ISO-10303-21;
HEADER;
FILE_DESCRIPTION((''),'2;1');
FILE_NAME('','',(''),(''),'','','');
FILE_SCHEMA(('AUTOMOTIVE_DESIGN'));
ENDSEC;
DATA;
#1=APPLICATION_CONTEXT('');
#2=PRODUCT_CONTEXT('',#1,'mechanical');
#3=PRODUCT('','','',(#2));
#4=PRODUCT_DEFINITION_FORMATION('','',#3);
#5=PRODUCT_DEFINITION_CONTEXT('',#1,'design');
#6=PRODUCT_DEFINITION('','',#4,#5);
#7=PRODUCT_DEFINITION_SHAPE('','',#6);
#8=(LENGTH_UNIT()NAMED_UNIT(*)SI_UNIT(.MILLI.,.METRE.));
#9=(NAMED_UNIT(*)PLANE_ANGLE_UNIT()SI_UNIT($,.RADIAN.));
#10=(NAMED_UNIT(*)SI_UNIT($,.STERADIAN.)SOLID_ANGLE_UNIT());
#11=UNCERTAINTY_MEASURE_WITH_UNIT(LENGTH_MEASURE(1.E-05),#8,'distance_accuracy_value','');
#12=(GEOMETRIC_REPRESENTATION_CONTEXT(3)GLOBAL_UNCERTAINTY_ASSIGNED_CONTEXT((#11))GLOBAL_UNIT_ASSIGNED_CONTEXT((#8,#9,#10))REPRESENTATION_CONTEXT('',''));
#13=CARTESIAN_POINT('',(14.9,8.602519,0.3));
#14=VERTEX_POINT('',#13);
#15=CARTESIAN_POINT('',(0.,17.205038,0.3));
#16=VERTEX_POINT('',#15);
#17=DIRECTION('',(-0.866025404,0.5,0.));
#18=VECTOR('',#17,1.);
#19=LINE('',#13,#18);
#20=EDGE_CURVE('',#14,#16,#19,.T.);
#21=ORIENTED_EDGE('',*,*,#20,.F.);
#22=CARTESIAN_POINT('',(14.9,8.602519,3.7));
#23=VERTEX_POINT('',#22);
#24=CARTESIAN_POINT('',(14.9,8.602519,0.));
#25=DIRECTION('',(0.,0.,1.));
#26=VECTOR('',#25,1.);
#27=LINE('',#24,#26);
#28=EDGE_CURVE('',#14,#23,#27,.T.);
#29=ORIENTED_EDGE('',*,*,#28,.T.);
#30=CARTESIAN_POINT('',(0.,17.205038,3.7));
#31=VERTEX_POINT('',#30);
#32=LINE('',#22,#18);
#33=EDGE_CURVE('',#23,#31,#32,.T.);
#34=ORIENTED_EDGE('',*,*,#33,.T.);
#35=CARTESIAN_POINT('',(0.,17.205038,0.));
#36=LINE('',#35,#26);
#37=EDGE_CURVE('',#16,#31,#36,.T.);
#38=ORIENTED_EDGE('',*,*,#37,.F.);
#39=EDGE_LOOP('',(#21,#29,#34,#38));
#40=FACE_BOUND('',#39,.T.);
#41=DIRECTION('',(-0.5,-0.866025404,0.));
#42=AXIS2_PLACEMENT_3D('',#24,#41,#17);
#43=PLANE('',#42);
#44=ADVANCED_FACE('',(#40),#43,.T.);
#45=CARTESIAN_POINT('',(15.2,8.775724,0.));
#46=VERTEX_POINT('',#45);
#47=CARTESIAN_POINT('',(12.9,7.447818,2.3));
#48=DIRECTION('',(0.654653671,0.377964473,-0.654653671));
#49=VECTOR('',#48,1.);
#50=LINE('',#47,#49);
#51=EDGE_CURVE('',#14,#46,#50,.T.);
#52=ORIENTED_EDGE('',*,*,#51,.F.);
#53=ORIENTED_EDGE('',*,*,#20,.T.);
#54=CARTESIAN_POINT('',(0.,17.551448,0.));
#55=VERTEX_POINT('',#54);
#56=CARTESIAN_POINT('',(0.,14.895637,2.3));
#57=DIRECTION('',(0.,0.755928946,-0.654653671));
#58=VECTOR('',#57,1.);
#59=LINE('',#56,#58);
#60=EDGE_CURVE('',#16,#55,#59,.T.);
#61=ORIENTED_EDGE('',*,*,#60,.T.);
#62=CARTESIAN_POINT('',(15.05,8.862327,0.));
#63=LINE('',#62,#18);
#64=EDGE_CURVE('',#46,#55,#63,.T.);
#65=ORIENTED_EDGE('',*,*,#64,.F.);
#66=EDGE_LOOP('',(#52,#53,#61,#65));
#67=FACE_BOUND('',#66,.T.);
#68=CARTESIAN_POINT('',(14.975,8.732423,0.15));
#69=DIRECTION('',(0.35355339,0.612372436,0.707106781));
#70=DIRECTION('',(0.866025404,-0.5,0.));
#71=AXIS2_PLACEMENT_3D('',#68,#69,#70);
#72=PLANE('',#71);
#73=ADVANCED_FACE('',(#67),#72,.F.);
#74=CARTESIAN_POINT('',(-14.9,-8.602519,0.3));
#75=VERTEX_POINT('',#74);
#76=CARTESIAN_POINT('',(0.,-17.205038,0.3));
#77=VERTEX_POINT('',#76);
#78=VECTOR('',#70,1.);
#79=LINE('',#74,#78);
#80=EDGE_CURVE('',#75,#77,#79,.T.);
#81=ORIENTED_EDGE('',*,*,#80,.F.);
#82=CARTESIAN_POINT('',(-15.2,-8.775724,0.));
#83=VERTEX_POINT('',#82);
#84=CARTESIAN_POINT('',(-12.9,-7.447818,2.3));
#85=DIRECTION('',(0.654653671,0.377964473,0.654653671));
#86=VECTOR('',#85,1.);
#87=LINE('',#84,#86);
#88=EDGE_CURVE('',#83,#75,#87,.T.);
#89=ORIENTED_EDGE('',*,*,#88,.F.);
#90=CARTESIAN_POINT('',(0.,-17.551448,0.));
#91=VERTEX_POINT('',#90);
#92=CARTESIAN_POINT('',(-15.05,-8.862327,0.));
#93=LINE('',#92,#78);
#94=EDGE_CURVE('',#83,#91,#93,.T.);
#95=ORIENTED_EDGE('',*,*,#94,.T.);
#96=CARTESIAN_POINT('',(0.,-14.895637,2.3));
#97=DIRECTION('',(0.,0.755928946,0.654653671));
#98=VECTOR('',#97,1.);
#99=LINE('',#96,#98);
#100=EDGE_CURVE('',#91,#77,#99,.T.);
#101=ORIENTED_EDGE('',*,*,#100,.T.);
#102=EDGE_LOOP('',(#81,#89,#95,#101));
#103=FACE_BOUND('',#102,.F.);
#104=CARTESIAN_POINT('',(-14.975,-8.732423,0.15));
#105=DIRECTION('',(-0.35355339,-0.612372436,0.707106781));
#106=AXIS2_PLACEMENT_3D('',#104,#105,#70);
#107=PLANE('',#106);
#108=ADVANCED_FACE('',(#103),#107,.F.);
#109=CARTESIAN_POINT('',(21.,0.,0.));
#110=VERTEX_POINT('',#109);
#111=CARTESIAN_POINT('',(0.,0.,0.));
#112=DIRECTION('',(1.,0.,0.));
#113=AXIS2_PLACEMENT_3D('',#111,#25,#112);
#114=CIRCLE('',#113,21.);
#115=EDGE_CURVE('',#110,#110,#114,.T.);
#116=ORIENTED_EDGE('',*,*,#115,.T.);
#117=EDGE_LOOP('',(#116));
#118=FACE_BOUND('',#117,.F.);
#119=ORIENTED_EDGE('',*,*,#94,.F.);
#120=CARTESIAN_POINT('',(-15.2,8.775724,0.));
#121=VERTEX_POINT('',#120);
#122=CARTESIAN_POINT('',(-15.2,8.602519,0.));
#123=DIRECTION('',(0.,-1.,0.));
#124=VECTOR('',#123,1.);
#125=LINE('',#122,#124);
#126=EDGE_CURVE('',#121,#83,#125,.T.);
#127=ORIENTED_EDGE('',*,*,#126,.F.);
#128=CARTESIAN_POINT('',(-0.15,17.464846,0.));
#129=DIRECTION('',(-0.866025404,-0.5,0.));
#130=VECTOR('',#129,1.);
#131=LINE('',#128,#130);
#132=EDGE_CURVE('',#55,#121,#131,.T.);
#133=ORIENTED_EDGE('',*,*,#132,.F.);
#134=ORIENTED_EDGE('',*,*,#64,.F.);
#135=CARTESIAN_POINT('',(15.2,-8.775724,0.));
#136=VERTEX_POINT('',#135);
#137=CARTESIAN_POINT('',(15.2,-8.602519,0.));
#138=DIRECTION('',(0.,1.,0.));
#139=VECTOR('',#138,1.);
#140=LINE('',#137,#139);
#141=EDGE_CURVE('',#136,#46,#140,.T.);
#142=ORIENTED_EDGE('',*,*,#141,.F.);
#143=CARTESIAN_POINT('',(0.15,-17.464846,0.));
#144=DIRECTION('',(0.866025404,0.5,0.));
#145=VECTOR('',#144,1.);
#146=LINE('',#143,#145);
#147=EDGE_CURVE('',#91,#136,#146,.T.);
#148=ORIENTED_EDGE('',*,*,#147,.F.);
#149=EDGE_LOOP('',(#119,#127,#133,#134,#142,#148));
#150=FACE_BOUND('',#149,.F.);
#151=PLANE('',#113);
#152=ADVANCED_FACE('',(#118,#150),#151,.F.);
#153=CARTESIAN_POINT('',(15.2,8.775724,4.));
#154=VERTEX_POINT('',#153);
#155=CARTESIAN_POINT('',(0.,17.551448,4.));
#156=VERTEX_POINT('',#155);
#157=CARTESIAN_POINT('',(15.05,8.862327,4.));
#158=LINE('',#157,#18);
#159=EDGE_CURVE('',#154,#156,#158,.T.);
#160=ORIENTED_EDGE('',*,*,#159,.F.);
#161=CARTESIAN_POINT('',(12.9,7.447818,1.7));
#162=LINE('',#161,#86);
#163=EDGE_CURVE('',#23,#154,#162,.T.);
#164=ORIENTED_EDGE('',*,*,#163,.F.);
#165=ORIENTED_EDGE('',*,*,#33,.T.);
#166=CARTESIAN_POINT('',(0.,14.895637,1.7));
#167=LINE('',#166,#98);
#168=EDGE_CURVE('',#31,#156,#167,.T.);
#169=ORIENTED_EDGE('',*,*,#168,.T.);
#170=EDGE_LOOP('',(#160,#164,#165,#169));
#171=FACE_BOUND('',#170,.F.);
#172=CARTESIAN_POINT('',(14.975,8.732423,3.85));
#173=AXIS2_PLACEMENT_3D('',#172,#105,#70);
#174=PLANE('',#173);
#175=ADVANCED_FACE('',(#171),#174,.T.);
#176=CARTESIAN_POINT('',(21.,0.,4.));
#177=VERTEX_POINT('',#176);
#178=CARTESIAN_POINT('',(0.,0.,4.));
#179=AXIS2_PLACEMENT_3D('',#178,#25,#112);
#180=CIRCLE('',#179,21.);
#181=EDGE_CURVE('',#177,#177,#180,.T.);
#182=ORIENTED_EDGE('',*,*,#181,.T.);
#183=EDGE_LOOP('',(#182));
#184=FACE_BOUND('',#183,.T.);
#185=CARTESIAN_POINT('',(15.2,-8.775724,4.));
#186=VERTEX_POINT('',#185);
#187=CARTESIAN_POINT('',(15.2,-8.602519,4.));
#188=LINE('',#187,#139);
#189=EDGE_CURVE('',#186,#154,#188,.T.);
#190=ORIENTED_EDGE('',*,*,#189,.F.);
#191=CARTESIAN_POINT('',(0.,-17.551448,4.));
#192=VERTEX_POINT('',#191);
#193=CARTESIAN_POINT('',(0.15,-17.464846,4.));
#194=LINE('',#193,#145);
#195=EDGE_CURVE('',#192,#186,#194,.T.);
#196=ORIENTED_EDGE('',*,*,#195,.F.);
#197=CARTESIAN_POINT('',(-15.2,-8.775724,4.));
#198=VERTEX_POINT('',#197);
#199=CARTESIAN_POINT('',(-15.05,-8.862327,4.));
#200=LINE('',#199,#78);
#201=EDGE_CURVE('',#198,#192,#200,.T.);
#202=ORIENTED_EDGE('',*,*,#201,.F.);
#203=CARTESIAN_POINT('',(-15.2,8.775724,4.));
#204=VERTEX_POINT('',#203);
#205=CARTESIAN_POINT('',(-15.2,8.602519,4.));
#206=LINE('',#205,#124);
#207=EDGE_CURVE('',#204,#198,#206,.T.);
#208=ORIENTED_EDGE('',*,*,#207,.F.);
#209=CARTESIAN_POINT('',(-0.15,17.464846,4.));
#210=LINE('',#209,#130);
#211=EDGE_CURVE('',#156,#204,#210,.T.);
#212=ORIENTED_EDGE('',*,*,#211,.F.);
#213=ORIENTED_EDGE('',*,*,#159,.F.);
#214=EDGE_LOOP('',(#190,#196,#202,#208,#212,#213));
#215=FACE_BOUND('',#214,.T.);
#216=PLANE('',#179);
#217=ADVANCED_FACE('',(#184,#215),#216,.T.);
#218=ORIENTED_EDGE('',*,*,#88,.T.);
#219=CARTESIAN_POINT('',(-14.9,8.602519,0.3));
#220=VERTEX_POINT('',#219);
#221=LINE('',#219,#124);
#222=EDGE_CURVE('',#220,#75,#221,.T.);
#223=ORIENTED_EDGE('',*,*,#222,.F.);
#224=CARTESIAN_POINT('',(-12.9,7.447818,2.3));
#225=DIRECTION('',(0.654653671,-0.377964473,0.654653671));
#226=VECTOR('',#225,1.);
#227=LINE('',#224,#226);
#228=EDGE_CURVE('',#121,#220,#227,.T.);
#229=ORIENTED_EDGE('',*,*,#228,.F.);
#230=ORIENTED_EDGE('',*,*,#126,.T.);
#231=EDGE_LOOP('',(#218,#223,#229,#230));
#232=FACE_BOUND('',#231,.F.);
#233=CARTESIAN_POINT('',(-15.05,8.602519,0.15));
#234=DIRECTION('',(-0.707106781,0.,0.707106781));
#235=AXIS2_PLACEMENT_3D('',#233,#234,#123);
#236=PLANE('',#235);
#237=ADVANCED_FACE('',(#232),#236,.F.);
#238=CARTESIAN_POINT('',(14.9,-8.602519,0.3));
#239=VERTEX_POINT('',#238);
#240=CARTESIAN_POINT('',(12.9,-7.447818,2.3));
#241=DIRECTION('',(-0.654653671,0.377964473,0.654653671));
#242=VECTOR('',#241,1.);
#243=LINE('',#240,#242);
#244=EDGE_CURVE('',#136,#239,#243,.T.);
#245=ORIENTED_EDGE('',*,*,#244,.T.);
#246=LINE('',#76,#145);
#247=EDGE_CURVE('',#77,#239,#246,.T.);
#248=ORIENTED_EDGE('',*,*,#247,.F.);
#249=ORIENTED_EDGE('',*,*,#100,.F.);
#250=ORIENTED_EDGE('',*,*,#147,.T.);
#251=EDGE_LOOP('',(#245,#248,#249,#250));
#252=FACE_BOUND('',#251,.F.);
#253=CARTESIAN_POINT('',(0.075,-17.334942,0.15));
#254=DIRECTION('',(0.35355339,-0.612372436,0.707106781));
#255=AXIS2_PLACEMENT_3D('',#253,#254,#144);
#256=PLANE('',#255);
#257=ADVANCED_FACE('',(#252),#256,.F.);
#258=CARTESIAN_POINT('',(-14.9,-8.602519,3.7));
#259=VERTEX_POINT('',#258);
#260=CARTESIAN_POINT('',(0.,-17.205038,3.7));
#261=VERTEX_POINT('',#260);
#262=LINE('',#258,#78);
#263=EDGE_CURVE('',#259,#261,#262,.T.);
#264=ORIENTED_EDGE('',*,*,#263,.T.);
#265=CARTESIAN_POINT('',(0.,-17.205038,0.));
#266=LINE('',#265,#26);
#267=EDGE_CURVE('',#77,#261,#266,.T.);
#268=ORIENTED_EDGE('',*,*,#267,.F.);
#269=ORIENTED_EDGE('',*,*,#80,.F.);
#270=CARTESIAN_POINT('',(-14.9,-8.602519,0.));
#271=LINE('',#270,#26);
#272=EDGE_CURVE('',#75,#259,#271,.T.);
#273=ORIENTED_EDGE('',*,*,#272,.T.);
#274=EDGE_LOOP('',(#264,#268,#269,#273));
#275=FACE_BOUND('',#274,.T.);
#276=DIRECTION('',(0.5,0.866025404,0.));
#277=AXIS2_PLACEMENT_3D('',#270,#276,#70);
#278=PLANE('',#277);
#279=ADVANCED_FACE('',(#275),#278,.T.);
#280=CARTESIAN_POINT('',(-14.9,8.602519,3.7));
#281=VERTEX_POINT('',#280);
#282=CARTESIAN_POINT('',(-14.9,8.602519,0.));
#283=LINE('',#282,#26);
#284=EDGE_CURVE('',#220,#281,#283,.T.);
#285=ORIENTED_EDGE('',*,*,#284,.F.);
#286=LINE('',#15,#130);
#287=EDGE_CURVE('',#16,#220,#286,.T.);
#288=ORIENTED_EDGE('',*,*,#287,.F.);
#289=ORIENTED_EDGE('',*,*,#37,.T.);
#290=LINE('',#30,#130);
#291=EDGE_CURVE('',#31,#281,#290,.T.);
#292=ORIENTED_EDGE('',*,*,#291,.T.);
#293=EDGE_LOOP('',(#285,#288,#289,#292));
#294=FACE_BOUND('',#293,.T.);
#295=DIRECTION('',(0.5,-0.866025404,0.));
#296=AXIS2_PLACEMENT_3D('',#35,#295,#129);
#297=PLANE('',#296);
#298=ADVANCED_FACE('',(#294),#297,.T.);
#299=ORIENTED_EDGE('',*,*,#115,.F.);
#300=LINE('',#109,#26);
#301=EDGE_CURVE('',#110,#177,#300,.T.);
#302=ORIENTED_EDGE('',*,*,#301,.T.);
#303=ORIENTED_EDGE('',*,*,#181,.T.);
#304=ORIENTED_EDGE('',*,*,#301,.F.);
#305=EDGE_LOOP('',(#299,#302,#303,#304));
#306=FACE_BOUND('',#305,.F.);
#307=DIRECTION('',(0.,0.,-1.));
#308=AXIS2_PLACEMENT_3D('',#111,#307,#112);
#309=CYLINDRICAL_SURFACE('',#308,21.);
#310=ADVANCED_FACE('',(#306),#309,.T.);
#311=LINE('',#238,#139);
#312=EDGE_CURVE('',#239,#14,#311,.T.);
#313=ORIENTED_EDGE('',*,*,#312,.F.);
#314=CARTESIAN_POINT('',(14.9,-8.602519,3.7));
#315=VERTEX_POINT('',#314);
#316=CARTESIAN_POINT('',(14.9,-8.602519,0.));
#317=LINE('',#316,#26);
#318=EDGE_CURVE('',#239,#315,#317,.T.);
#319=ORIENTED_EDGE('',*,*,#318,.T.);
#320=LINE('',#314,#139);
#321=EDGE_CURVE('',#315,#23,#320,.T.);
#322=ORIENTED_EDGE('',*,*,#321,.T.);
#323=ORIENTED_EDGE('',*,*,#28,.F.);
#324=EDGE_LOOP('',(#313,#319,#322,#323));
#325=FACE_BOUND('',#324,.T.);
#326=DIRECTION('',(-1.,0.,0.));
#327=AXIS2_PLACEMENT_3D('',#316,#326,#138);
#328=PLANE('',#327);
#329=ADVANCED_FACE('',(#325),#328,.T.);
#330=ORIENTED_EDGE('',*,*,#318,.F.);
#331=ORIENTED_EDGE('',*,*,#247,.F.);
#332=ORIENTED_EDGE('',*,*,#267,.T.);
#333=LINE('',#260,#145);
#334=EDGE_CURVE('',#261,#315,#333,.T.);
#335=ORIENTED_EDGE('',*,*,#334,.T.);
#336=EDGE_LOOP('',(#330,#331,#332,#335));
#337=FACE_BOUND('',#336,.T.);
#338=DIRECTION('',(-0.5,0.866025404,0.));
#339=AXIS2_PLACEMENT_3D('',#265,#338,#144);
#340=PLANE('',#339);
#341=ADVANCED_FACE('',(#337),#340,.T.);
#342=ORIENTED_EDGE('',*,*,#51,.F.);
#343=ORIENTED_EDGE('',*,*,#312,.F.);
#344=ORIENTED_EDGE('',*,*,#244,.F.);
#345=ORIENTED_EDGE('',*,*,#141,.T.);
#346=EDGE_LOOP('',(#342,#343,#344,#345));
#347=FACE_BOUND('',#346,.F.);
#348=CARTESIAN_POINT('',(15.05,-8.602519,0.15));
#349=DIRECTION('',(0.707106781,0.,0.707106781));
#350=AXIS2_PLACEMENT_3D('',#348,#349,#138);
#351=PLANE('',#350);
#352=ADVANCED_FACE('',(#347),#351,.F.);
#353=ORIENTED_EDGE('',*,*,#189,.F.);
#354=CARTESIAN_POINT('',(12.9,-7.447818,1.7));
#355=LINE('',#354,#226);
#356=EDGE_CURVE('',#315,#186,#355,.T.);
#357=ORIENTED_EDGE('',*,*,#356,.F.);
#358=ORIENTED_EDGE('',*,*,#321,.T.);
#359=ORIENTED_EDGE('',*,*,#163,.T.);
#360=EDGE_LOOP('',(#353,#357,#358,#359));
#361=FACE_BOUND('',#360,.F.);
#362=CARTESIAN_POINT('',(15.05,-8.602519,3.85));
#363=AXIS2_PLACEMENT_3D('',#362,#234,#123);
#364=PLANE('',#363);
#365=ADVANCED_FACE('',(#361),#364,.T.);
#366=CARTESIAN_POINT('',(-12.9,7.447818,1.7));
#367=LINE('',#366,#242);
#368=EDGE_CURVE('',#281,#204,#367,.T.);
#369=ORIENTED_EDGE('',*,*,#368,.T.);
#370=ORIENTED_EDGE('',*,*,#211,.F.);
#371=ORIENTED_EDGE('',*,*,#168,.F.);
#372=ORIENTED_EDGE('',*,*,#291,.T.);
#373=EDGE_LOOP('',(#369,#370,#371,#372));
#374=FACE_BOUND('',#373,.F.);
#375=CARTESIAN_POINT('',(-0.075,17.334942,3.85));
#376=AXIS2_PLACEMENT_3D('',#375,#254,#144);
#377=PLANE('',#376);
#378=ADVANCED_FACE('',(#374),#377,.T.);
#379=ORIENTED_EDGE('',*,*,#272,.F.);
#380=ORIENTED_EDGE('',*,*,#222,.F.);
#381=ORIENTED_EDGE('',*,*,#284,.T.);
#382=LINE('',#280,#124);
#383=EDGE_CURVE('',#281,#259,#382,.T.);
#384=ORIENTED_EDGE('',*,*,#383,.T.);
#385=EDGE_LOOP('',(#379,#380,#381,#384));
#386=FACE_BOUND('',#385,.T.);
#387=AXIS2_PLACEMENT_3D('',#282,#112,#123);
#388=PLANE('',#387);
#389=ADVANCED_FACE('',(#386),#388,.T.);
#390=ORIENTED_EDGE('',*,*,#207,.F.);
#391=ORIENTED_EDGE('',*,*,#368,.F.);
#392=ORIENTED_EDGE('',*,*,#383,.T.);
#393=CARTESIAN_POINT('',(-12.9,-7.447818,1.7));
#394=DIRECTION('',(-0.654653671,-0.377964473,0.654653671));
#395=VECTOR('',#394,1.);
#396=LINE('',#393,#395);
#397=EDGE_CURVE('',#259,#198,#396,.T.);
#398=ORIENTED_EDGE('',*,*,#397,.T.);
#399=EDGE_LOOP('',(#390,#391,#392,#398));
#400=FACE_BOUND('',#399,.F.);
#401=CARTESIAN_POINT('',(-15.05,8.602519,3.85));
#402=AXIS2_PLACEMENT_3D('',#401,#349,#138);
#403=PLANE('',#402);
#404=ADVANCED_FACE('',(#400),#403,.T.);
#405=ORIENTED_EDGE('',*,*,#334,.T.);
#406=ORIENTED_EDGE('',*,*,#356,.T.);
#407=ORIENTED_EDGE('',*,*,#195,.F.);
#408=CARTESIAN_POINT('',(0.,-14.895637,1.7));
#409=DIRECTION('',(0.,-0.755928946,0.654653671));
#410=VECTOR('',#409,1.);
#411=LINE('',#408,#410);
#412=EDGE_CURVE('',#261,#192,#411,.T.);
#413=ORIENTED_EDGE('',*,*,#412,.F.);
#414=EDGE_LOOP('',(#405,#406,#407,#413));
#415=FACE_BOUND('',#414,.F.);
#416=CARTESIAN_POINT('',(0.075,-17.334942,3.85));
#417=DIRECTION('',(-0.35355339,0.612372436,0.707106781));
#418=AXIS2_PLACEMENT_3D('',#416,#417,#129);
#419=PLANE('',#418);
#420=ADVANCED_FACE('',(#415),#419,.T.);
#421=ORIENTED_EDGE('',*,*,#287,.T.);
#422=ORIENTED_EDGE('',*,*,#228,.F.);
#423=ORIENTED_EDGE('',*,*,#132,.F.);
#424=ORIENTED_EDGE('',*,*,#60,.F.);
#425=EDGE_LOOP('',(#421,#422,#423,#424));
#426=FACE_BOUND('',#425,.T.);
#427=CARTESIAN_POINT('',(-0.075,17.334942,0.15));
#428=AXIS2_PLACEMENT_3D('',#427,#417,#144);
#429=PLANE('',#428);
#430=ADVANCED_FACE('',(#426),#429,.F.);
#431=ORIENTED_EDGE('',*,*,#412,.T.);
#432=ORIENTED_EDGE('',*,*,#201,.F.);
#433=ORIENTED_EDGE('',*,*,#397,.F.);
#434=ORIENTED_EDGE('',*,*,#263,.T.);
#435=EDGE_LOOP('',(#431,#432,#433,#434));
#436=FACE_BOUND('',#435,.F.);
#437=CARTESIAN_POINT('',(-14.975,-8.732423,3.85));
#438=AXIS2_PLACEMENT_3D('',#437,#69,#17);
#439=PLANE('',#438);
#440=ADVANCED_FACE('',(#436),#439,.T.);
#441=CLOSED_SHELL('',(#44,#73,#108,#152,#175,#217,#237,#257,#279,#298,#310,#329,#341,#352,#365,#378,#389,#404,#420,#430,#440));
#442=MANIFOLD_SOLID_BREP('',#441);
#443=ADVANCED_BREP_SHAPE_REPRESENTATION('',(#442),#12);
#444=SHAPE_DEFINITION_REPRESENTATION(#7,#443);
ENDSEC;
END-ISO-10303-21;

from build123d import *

# Parameters (mm, degrees)
SKETCH_R        = 21
PAD_DEPTH       = 4
CHAMFER_SIZE    = 0.3
CHAMFER001_SIZE = 0.3


with BuildPart() as part:
    # Sketch → Pad (new body)
    with BuildSketch(Plane.XY):
        Circle(SKETCH_R)
        Polygon((0, 17.205038), (-14.9, 8.602519), (-14.9, -8.602519), (0, -17.205038), (14.9, -8.602519), (14.9, 8.602519), align=None, mode=Mode.SUBTRACT)
    extrude(amount=PAD_DEPTH)

    # Chamfer
    chamfer_edges = [part.edges().sort_by_distance(p)[0] for p in [
        (-7.45, 12.903779, 4),
        (-14.9, 0, 4),
        (-7.45, -12.903779, 4),
        (7.45, -12.903779, 4),
        (14.9, 0, 4),
        (7.45, 12.903779, 4),
    ]]
    chamfer(chamfer_edges, length=CHAMFER_SIZE)

    # Chamfer001
    chamfer001_edges = [part.edges().sort_by_distance(p)[0] for p in [
        (-7.45, -12.903779, 0),
        (-14.9, 0, 0),
        (-7.45, 12.903779, 0),
        (7.45, 12.903779, 0),
        (14.9, 0, 0),
        (7.45, -12.903779, 0),
    ]]
    chamfer(chamfer001_edges, length=CHAMFER001_SIZE)


solid = part.part
